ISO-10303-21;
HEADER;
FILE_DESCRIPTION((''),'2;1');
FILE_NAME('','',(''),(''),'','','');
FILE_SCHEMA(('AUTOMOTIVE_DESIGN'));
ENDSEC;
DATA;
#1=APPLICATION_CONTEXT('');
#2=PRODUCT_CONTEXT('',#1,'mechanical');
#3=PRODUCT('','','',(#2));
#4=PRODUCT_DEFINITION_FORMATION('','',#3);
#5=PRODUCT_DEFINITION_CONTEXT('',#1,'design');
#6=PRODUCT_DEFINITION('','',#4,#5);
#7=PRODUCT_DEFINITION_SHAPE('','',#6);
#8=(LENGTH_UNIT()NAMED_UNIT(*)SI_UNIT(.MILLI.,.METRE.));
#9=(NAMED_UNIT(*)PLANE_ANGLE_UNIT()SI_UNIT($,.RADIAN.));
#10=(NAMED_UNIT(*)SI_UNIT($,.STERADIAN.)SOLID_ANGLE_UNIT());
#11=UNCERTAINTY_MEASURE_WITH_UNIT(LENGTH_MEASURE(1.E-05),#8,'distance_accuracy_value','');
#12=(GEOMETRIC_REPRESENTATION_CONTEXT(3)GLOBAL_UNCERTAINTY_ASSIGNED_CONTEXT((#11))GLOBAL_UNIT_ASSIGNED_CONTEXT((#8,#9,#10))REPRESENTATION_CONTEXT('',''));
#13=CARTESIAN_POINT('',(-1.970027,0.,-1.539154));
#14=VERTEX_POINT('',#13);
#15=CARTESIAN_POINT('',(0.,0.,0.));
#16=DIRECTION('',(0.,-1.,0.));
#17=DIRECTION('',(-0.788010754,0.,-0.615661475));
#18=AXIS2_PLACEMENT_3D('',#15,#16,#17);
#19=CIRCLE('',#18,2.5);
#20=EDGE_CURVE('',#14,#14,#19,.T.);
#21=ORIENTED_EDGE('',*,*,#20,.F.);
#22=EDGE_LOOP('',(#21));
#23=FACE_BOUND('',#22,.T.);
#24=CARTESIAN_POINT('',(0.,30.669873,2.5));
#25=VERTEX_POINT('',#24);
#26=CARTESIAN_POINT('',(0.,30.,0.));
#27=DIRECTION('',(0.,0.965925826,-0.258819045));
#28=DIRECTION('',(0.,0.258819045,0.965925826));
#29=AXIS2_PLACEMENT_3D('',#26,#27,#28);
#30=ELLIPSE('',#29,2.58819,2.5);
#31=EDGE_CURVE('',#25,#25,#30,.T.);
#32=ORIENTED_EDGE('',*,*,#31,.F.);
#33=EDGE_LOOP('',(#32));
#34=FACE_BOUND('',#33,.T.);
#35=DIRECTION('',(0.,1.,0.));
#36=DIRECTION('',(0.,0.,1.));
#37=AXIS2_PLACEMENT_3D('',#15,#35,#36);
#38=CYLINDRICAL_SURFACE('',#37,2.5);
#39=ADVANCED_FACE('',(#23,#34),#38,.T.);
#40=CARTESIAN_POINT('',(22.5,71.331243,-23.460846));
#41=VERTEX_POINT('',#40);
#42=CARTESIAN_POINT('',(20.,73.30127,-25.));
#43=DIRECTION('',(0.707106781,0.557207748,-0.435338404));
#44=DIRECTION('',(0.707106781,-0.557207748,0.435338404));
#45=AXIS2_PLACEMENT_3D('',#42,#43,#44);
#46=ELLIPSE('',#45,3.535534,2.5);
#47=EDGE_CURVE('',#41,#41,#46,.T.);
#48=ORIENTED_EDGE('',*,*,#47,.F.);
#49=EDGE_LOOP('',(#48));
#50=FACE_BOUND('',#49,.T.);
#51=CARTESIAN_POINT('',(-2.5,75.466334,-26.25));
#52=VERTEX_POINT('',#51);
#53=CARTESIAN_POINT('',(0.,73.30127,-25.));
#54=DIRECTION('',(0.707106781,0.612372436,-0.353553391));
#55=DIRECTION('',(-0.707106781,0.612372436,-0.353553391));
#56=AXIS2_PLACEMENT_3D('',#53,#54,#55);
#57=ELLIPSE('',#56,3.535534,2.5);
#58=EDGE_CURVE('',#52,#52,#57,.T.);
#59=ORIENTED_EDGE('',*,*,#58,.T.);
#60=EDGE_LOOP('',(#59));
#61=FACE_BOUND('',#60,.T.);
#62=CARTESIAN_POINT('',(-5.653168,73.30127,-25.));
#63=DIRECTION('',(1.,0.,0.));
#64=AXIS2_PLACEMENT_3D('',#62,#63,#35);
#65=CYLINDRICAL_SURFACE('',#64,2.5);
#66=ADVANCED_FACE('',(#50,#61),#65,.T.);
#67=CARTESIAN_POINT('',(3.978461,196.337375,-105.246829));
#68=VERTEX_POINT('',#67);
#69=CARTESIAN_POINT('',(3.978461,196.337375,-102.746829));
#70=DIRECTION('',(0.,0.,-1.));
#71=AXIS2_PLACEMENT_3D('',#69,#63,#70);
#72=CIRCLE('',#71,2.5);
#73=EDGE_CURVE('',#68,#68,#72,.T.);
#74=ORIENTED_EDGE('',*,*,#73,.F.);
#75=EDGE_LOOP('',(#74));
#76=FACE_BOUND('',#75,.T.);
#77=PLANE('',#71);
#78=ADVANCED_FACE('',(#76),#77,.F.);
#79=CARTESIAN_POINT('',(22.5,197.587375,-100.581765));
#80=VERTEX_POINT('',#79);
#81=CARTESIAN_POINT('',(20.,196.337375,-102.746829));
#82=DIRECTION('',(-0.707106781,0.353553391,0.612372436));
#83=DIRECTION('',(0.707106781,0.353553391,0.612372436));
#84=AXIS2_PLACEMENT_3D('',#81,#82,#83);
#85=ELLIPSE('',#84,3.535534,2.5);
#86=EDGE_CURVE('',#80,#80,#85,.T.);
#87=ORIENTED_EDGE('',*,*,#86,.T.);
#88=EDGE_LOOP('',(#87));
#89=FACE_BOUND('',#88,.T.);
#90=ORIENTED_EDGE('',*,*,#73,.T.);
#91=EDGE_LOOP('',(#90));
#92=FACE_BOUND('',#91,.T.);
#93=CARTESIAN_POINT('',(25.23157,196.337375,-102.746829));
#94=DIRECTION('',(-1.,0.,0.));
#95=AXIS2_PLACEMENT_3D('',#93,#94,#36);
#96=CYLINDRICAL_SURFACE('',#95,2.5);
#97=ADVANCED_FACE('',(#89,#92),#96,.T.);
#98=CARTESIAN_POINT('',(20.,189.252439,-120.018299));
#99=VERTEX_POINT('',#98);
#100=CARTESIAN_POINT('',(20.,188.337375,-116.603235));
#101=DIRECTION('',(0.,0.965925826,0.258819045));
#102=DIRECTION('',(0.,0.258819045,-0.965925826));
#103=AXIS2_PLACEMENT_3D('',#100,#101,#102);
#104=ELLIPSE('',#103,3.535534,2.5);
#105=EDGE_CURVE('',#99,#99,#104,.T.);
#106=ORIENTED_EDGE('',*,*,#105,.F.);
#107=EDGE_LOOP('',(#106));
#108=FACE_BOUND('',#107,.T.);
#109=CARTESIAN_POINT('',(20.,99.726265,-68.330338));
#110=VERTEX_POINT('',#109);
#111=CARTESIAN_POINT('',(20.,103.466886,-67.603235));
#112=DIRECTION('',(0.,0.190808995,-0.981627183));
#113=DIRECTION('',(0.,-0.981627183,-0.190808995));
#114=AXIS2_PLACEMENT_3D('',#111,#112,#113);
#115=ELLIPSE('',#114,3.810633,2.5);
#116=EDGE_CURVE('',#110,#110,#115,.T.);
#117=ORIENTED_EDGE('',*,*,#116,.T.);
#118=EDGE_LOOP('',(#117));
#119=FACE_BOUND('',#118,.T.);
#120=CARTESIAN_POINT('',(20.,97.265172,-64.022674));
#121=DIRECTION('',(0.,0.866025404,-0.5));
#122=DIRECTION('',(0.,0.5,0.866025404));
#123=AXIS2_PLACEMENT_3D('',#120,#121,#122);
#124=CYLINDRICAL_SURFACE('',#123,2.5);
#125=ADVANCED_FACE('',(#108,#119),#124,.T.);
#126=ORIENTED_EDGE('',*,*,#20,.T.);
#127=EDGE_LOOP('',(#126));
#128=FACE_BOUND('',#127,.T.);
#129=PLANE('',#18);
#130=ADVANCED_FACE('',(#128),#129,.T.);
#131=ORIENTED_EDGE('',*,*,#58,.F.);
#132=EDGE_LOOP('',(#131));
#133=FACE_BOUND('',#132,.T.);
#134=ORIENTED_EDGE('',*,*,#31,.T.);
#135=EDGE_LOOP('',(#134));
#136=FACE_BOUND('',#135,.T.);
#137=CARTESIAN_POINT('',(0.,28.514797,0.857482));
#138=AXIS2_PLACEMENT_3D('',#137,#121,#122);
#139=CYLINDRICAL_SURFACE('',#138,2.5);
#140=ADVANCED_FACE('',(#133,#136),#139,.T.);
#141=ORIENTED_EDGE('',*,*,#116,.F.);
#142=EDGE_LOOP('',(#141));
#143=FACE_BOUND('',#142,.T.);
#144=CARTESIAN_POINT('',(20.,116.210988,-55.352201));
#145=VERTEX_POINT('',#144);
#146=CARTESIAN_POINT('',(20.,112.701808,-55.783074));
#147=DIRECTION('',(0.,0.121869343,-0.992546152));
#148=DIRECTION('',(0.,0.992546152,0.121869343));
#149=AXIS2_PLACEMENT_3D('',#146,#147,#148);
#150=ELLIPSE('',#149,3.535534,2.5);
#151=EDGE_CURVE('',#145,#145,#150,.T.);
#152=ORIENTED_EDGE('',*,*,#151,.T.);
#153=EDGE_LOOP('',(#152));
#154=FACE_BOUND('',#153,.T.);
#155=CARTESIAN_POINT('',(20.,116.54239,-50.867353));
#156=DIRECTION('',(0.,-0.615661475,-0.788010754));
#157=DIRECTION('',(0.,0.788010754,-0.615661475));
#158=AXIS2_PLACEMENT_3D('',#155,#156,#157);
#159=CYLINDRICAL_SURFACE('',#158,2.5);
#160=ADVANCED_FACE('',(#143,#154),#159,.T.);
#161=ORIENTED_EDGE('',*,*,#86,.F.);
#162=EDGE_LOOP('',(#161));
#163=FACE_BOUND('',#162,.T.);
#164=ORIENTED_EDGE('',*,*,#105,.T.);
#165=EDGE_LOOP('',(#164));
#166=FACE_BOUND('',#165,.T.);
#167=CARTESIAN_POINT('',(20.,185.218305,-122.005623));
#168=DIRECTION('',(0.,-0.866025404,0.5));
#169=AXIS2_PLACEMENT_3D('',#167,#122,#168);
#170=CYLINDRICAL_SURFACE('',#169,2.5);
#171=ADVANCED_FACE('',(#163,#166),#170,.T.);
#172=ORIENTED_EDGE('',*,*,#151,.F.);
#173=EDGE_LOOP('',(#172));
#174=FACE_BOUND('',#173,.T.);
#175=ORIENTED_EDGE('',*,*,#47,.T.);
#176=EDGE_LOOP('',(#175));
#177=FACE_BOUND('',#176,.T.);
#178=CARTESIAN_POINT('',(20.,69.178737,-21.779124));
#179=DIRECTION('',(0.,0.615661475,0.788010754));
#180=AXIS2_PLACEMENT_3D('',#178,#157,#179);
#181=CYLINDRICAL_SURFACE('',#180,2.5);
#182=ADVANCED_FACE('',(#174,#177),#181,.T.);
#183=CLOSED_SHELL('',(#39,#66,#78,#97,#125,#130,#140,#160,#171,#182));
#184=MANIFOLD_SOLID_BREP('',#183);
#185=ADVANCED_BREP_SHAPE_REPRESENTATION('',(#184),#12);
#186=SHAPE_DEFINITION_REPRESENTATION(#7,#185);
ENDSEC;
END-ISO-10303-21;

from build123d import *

# Parameters (mm, degrees)
SWEEP1_PROFILE_R = 2.5


with BuildPart() as part:
    # Sweep1: sweep along a curve in space
    with BuildLine() as sweep1_path:
        Line((0, 0, 0), (0, 30, 0))
        Line((0, 30, 0), (0, 73.301270189, -25))
        Line((0, 73.301270189, -25), (20, 73.301270189, -25))
        Line((20, 73.301270189, -25), (20, 112.70180787, -55.783073766))
        Line((20, 112.70180787, -55.783073766), (20, 103.46688574, -67.60323507))
        Line((20, 103.46688574, -67.60323507), (20, 188.337375311, -116.60323507))
        Line((20, 188.337375311, -116.60323507), (20, 196.337375311, -102.74682861))
        Line((20, 196.337375311, -102.74682861), (3.978461048, 196.337375311, -102.74682861))
    # Sweep1 profile (on start of the path) → Sweep1 (sweep)
    with BuildSketch(Plane.ZX):
        Circle(SWEEP1_PROFILE_R)
    sweep(path=sweep1_path.line, transition=Transition.RIGHT)


solid = part.part
